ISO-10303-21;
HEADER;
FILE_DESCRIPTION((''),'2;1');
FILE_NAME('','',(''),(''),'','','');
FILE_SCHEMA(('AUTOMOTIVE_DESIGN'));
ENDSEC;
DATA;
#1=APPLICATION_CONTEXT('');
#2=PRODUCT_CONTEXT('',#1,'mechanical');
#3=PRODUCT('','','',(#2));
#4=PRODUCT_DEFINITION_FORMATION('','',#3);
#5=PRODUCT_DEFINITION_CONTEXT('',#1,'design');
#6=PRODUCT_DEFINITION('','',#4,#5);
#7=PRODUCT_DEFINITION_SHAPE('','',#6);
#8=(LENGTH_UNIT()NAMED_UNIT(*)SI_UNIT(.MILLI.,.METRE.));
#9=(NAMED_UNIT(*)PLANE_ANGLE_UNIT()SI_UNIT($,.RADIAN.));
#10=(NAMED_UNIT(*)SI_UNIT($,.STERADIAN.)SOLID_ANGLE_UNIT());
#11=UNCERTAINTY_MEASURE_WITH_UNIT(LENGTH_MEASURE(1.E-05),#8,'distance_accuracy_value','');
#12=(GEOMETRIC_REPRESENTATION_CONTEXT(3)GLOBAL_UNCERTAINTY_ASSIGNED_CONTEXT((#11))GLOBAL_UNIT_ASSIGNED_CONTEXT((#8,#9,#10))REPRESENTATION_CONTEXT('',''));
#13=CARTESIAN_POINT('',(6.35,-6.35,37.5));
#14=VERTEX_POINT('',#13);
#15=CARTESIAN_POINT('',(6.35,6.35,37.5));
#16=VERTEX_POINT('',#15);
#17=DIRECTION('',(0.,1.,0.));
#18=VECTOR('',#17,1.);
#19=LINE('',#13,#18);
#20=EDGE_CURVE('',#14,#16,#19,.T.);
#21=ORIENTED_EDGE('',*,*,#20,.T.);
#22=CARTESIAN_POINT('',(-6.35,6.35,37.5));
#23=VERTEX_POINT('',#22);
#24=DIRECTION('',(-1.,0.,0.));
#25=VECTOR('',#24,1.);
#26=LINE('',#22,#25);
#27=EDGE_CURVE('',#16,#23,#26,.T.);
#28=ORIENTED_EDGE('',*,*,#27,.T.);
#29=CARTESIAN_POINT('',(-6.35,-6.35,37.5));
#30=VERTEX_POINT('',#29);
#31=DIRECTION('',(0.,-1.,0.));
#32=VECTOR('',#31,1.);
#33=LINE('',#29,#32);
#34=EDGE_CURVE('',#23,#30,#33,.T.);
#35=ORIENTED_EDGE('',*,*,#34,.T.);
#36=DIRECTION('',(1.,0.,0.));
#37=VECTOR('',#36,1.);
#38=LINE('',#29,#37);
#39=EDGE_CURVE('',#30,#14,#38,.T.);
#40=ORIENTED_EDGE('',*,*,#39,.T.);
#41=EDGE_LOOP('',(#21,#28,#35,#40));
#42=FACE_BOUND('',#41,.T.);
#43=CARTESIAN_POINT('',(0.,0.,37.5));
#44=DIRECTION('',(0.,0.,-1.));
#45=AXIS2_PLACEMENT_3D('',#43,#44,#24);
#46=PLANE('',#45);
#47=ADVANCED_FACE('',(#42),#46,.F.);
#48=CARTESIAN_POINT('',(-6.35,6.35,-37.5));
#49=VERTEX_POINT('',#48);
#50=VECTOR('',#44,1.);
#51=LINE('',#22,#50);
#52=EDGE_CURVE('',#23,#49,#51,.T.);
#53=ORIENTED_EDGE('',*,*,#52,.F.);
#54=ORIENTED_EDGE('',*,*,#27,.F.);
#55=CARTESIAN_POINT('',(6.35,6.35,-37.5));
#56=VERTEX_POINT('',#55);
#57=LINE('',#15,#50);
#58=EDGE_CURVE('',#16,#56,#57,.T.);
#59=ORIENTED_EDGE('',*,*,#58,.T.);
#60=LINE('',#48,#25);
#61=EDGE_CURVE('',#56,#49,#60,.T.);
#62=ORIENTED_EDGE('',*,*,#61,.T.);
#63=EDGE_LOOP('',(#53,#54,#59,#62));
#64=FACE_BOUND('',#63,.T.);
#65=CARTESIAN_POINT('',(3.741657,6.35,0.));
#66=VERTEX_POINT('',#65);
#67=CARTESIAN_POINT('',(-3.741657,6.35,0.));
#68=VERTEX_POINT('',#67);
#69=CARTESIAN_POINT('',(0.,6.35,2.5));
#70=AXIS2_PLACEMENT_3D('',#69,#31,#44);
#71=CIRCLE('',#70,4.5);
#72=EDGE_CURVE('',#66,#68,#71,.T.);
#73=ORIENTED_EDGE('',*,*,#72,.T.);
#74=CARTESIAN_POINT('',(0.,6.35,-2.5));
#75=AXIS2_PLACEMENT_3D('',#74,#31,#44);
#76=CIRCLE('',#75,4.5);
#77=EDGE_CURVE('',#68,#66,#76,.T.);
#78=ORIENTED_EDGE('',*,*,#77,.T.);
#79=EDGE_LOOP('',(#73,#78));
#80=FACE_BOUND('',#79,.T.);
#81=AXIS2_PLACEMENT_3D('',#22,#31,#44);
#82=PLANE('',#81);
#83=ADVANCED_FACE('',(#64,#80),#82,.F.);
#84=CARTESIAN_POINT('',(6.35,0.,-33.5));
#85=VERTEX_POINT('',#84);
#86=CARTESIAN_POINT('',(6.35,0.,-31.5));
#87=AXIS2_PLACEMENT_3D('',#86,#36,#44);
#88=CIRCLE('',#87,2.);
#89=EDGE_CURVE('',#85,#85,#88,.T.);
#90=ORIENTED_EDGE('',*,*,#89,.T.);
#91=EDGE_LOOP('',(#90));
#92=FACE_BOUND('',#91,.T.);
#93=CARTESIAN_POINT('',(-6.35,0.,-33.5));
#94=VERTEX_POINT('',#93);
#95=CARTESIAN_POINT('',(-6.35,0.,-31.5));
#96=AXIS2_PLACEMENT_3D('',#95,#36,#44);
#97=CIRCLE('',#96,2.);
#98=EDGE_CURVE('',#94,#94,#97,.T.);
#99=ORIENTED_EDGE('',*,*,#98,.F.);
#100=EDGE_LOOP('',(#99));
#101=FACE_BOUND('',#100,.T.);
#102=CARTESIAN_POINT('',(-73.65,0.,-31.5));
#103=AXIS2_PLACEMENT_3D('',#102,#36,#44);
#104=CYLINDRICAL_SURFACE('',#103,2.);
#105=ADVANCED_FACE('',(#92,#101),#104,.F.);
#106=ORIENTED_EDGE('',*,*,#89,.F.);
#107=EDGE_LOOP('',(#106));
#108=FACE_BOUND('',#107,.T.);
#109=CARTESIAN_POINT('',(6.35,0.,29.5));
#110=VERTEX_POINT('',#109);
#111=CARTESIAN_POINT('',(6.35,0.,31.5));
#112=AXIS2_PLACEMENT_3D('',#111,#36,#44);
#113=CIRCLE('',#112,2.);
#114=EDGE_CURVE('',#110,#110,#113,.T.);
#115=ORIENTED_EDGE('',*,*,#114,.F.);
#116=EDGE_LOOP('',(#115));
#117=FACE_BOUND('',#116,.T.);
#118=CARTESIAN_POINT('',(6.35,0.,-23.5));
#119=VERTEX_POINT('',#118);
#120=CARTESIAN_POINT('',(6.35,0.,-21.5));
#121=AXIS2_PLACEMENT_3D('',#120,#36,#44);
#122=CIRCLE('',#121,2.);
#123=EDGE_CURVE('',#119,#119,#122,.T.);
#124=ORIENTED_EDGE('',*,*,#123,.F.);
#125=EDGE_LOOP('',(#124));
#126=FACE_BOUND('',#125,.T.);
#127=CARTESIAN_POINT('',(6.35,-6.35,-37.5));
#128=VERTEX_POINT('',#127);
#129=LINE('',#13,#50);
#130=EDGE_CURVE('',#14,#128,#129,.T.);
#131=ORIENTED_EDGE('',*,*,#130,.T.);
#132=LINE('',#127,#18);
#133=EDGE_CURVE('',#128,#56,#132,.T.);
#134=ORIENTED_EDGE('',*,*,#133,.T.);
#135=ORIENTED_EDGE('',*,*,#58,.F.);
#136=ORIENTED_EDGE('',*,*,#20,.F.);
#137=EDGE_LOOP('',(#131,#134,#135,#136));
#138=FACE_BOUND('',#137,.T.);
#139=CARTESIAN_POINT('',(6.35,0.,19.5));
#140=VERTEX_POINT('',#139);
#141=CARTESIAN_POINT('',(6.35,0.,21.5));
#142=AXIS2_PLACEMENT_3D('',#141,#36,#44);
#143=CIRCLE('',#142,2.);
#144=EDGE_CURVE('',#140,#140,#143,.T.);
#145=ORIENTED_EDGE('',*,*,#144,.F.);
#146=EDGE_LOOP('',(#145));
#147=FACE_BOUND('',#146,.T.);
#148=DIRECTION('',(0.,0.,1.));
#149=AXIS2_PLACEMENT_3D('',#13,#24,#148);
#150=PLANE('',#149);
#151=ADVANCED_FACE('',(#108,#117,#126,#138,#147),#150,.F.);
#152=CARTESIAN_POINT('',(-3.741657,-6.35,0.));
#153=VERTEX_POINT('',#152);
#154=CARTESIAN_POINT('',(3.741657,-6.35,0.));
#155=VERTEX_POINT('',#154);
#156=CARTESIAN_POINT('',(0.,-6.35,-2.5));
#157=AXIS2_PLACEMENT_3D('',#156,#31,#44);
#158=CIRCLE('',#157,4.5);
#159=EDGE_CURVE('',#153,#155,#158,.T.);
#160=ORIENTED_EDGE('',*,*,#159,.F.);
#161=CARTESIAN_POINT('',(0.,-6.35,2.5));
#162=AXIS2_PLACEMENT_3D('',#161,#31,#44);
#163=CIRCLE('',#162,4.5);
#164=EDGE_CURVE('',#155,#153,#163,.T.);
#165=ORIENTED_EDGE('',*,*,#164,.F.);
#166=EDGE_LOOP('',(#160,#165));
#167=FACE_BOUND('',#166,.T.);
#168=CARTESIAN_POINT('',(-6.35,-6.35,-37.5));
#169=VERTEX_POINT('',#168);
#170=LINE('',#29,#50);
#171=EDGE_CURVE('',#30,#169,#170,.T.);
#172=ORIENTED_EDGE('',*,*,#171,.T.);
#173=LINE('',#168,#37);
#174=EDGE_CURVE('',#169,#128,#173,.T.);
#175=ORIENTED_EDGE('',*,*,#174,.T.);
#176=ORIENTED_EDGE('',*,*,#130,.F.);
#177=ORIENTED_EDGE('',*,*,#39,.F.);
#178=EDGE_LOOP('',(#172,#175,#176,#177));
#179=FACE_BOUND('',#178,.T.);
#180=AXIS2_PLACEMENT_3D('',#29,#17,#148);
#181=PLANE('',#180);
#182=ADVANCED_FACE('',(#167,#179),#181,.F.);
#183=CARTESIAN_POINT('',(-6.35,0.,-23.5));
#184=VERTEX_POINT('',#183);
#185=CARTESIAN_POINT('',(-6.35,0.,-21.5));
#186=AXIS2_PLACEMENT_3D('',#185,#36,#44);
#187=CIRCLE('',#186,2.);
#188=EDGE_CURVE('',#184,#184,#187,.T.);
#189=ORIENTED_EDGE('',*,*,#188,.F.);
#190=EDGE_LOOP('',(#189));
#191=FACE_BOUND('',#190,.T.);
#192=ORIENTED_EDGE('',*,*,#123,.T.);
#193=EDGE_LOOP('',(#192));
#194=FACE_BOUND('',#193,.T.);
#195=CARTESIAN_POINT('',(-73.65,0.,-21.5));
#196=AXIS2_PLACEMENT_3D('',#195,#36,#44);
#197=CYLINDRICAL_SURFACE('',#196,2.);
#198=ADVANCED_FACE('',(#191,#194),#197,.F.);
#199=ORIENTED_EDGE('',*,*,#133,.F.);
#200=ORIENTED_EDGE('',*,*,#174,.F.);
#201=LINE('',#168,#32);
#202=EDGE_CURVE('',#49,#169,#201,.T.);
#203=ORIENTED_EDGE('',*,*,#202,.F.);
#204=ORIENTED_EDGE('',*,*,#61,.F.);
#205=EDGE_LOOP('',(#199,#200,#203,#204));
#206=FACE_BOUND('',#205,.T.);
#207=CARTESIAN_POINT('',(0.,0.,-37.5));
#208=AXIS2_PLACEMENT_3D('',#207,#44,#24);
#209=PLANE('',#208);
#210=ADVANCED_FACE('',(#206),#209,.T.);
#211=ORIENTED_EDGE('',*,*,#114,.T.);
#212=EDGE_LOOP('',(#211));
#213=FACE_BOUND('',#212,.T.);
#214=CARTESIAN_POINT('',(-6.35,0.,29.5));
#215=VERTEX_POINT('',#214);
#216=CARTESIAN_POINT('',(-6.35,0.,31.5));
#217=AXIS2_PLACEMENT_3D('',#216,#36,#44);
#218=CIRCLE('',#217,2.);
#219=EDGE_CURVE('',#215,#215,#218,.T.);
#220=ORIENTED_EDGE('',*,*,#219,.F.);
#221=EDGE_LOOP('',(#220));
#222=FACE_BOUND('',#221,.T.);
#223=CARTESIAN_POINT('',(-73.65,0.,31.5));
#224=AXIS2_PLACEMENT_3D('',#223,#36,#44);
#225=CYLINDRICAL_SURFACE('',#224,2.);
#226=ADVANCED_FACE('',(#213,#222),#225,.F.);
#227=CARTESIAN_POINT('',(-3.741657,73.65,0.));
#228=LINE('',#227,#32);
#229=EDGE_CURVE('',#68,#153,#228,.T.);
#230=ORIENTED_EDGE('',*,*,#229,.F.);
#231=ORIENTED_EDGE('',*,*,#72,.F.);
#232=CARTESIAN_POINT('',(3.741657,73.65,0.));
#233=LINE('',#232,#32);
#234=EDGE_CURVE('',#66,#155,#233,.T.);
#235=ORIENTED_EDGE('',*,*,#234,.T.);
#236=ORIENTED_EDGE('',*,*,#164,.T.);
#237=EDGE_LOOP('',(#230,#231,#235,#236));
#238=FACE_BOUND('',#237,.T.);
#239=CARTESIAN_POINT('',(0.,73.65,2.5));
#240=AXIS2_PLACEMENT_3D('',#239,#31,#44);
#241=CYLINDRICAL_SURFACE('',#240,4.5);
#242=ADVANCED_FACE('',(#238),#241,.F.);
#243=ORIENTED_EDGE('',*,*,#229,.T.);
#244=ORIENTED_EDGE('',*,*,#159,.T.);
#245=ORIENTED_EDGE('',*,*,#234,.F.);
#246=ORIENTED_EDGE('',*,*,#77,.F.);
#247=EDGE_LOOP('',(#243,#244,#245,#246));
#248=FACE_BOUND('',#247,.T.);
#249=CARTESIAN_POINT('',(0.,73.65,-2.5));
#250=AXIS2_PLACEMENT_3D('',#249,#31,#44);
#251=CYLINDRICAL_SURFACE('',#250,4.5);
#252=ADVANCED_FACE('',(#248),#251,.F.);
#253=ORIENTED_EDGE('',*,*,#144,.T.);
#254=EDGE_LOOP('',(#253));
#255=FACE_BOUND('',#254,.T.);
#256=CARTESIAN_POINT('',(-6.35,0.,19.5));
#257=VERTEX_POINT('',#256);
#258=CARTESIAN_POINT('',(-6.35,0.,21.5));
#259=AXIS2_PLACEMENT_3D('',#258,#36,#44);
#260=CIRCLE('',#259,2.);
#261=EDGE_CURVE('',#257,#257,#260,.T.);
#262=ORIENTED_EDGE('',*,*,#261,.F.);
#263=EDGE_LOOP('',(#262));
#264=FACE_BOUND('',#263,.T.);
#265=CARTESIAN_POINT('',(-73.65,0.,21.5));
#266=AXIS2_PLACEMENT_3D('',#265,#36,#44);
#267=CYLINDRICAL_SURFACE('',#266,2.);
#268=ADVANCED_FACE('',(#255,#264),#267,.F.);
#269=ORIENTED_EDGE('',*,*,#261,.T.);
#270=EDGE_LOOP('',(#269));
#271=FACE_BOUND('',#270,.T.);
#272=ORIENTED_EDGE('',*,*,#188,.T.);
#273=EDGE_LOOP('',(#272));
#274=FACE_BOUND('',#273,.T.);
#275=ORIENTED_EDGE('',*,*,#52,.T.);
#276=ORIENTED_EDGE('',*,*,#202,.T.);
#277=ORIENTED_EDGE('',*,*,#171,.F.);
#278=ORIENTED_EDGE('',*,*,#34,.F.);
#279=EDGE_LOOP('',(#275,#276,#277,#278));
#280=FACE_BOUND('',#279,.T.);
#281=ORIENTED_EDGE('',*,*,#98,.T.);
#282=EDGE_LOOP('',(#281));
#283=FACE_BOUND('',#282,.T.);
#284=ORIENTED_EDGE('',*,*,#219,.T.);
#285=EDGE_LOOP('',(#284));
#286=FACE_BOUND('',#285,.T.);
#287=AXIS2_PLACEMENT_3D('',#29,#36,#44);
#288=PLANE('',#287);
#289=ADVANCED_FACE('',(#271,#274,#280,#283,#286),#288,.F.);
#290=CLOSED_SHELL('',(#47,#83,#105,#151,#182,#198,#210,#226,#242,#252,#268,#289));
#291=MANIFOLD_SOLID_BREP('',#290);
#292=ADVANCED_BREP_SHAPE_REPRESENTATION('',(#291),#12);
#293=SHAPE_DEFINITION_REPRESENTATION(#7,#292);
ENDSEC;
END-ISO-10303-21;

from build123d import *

# Parameters (mm, degrees)
SKETCH1_W           = 12.7
SKETCH1_H           = 12.7
BOSS_EXTRUDE1_DEPTH = 37.5
SKETCH2_R           = 2
CUT_EXTRUDE1_DEPTH  = 80
CUT_EXTRUDE2_DEPTH  = 80


with BuildPart() as part:
    # Sketch1 → Boss-Extrude1 (new, symmetric)
    with BuildSketch(Plane.XY):
        Rectangle(SKETCH1_W, SKETCH1_H)
    extrude(amount=BOSS_EXTRUDE1_DEPTH, both=True)

    # Sketch2 → Cut-Extrude1 (cut)
    with BuildSketch(Plane(origin=(6.35, 0, 0), x_dir=(0, 0, -1), z_dir=(1, 0, 0))):
        with Locations((-31.5, 0)):
            Circle(SKETCH2_R)
        with Locations((-21.5, 0)):
            Circle(SKETCH2_R)
        with Locations((21.5, 0)):
            Circle(SKETCH2_R)
        with Locations((31.5, 0)):
            Circle(SKETCH2_R)
    extrude(amount=-CUT_EXTRUDE1_DEPTH, mode=Mode.SUBTRACT)

    # Sketch3 → Cut-Extrude2 (cut)
    with BuildSketch(Plane.XZ.offset(6.35)):
        with BuildLine():
            ThreePointArc((3.741657387, 0), (0, 7), (-3.741657387, 0))
            ThreePointArc((-3.741657387, 0), (0, -7), (3.741657387, 0))
        make_face()
    extrude(amount=-CUT_EXTRUDE2_DEPTH, mode=Mode.SUBTRACT)


solid = part.part
